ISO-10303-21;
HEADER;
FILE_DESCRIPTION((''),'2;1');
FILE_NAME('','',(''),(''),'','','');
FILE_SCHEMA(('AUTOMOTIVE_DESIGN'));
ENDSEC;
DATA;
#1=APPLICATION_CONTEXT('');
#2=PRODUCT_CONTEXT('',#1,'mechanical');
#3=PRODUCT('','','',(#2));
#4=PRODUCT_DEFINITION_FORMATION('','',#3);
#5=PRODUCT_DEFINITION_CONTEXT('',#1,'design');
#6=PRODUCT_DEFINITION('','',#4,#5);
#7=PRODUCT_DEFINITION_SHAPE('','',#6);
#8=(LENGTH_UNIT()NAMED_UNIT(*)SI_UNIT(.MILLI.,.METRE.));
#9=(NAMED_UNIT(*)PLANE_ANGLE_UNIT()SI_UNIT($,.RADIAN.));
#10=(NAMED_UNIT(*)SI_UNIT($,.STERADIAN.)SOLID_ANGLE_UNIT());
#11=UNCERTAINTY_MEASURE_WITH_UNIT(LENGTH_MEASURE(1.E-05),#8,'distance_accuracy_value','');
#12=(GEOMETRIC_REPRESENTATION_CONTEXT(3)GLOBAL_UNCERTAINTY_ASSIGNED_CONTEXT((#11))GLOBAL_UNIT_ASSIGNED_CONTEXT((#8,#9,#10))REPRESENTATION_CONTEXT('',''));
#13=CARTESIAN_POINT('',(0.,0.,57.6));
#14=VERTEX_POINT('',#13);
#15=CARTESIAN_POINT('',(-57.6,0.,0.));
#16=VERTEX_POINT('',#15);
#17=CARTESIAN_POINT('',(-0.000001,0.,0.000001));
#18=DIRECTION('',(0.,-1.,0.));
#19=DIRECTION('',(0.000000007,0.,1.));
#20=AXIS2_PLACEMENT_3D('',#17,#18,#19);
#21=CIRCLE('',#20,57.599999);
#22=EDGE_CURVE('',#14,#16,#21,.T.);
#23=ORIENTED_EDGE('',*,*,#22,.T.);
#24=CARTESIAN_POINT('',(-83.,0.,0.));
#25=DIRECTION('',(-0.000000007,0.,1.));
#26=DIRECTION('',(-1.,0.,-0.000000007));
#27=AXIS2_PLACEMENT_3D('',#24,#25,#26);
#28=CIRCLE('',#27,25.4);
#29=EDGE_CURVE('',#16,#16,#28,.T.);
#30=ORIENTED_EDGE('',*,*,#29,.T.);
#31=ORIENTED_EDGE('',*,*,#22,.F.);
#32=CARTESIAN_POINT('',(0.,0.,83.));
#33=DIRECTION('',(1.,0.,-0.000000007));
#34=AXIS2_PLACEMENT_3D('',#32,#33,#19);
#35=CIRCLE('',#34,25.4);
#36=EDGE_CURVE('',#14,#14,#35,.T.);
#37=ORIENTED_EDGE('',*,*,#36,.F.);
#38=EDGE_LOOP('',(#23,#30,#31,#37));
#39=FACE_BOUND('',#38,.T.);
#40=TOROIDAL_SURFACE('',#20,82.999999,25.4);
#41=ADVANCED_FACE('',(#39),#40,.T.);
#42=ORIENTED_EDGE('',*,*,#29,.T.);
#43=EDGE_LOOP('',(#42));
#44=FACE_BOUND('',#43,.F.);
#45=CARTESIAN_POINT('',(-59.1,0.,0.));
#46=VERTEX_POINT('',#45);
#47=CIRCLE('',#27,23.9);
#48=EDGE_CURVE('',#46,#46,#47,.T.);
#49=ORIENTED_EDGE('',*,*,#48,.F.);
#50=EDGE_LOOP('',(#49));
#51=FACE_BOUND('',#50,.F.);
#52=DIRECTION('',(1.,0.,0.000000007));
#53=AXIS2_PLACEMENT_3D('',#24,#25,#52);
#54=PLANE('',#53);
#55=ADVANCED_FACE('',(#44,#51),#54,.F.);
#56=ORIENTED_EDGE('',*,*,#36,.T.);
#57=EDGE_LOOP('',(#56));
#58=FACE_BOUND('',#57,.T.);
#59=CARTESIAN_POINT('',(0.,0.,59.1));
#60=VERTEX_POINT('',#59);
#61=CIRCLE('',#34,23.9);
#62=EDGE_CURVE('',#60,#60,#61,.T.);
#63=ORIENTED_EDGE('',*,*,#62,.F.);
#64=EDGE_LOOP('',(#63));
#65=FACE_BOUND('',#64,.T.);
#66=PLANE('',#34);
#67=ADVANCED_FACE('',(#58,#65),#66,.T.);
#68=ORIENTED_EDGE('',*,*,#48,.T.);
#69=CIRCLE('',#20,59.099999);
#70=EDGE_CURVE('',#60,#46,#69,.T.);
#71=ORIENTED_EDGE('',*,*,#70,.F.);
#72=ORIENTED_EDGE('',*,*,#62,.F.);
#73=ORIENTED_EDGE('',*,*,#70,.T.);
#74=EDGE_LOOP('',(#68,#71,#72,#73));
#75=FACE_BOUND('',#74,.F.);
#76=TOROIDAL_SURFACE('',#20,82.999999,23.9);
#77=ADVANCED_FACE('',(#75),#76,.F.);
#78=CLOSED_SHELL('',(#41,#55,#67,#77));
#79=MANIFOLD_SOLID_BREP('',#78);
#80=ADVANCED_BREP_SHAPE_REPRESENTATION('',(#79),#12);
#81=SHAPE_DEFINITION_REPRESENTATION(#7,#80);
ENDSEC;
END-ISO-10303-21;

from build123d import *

# Parameters (mm, degrees)
F1_R   = 25.4
F1_R_2 = 23.9


with BuildPart() as f2:
    # F2: sweep along a path in F0
    with BuildLine(Plane.XZ) as f2_path:
        ThreePointArc((0, 83), (-58.689863, 58.689863), (-83, 0))
    # F1 (on Top) → F2 (sweep)
    with BuildSketch(Plane.XY):
        with Locations((-83, 0)):
            Circle(F1_R)
        with Locations((-83, 0)):
            Circle(F1_R_2, mode=Mode.SUBTRACT)
    sweep(path=f2_path.line)


solid = f2.part
